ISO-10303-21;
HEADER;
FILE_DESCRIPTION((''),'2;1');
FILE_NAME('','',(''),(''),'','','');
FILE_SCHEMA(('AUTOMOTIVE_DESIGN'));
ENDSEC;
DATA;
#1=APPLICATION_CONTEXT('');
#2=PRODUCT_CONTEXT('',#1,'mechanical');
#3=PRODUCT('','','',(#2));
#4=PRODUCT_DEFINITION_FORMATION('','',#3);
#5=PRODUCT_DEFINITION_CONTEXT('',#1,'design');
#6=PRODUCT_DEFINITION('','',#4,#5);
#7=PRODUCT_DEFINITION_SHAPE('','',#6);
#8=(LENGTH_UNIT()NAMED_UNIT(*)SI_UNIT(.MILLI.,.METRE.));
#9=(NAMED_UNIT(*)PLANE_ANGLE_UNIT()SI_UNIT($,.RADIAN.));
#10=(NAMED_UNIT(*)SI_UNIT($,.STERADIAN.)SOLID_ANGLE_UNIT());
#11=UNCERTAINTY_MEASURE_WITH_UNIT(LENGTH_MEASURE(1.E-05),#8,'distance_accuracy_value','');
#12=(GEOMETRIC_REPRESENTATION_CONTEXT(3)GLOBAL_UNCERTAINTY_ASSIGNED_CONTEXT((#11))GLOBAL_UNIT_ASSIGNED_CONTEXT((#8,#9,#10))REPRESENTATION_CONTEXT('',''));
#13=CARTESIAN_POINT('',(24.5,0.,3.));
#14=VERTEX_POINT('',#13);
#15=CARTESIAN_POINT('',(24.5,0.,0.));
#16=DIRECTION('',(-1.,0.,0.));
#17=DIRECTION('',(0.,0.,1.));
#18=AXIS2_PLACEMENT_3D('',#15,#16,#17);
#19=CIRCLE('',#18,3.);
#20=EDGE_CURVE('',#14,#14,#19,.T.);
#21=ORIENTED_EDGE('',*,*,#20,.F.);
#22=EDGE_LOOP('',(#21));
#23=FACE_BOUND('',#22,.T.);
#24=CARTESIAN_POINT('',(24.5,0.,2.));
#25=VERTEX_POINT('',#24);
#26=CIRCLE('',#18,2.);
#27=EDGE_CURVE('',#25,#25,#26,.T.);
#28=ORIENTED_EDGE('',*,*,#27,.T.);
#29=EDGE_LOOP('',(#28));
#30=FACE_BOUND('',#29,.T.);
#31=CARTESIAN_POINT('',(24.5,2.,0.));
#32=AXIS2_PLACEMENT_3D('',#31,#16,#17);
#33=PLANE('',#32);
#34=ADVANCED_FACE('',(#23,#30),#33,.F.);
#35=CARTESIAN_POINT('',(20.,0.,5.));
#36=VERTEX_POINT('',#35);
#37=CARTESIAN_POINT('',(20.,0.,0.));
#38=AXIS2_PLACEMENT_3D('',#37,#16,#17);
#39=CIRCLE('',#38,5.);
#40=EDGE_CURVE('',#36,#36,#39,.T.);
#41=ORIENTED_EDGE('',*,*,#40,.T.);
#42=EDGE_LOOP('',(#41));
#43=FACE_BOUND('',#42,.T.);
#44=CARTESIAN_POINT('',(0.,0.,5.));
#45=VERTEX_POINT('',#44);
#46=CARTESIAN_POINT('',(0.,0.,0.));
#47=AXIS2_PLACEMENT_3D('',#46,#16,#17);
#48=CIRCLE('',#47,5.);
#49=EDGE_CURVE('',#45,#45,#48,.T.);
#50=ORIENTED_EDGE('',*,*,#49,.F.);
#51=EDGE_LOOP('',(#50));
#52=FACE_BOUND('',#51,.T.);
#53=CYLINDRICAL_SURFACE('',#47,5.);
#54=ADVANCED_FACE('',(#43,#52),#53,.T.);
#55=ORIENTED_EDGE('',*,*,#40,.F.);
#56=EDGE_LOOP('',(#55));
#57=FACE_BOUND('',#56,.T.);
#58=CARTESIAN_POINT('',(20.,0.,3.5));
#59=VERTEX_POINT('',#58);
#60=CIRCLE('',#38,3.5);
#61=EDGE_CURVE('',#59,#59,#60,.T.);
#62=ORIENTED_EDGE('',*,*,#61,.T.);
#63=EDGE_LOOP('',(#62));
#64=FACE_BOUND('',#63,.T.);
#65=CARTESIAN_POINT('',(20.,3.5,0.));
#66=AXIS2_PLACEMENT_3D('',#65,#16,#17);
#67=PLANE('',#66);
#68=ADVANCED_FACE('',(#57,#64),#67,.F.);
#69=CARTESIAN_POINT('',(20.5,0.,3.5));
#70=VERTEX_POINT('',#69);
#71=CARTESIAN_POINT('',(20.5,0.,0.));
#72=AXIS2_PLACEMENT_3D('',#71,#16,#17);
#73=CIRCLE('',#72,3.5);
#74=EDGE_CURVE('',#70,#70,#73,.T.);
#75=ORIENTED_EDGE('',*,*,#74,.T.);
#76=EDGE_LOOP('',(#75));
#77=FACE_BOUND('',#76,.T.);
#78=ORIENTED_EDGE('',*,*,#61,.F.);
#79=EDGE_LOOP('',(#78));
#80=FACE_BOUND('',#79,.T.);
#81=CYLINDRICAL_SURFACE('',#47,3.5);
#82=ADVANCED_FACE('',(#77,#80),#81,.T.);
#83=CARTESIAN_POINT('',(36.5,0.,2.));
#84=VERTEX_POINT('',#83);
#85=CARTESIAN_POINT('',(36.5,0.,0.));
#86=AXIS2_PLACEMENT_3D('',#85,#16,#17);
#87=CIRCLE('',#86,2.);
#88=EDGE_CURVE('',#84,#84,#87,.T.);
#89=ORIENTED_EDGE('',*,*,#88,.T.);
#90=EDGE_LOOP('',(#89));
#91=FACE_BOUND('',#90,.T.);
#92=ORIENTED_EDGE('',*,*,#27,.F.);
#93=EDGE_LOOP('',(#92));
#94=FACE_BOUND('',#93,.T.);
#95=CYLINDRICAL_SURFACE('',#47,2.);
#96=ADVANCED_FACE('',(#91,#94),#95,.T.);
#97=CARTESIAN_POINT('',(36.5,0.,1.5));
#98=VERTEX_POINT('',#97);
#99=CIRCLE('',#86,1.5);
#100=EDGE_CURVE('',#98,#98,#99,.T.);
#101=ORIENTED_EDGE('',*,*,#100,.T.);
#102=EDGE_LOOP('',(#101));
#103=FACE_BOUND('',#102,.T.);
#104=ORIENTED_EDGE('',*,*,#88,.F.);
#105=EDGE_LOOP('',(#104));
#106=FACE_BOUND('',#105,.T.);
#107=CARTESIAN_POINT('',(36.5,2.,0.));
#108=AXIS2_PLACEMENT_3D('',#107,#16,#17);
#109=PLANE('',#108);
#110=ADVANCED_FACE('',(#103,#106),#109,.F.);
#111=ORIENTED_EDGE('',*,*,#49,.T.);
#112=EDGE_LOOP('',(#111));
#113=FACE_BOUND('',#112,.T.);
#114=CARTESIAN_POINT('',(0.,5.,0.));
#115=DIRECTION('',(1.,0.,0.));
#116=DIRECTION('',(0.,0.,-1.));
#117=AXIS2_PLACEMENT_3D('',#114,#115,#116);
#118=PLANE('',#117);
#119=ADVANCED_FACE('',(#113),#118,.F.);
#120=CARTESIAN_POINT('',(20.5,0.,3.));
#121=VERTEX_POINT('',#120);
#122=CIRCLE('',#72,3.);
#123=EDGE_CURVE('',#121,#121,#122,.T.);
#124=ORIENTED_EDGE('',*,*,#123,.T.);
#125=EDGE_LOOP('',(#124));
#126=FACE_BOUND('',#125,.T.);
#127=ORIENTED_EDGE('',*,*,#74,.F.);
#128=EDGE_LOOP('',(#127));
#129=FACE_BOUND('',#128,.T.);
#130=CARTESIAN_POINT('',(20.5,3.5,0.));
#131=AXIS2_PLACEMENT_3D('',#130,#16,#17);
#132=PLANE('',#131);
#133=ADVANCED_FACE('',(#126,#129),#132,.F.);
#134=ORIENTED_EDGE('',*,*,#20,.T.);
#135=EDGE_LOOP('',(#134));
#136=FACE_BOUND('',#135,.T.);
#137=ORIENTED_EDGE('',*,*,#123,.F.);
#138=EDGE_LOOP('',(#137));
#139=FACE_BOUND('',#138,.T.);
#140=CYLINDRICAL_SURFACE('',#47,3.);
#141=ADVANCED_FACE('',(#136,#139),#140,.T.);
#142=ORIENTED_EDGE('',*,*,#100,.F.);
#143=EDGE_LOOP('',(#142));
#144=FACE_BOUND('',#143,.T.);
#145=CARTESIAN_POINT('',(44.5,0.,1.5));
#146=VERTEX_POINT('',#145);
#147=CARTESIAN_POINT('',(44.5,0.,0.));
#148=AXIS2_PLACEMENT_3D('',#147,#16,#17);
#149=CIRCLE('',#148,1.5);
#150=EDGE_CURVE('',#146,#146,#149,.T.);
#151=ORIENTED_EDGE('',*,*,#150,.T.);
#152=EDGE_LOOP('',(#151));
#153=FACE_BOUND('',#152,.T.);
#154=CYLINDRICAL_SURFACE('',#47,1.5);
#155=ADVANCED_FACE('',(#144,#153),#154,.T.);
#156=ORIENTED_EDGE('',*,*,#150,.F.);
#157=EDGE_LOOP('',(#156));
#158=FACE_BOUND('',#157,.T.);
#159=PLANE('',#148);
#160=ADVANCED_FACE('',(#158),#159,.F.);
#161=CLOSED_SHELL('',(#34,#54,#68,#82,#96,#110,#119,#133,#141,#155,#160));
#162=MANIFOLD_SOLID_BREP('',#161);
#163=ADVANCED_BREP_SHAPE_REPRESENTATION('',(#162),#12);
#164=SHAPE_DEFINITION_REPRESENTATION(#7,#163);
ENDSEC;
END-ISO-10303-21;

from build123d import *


with BuildPart() as part:
    # Sketch1 → Revolve1 (revolve)
    with BuildSketch(Plane.XY, mode=Mode.PRIVATE) as revolve1_sk:
        Polygon((0, 0), (44.5, 0), (44.5, 1.5), (36.5, 1.5), (36.5, 2), (24.5, 2), (24.5, 3), (20.5, 3), (20.5, 3.5), (20, 3.5), (20, 5), (0, 5), align=None)
    revolve(revolve1_sk.sketch.rotate(Axis((0, 0, 0), (1, 0, 0)), 90), axis=Axis((0, 0, 0), (1, 0, 0)))


solid = part.part
